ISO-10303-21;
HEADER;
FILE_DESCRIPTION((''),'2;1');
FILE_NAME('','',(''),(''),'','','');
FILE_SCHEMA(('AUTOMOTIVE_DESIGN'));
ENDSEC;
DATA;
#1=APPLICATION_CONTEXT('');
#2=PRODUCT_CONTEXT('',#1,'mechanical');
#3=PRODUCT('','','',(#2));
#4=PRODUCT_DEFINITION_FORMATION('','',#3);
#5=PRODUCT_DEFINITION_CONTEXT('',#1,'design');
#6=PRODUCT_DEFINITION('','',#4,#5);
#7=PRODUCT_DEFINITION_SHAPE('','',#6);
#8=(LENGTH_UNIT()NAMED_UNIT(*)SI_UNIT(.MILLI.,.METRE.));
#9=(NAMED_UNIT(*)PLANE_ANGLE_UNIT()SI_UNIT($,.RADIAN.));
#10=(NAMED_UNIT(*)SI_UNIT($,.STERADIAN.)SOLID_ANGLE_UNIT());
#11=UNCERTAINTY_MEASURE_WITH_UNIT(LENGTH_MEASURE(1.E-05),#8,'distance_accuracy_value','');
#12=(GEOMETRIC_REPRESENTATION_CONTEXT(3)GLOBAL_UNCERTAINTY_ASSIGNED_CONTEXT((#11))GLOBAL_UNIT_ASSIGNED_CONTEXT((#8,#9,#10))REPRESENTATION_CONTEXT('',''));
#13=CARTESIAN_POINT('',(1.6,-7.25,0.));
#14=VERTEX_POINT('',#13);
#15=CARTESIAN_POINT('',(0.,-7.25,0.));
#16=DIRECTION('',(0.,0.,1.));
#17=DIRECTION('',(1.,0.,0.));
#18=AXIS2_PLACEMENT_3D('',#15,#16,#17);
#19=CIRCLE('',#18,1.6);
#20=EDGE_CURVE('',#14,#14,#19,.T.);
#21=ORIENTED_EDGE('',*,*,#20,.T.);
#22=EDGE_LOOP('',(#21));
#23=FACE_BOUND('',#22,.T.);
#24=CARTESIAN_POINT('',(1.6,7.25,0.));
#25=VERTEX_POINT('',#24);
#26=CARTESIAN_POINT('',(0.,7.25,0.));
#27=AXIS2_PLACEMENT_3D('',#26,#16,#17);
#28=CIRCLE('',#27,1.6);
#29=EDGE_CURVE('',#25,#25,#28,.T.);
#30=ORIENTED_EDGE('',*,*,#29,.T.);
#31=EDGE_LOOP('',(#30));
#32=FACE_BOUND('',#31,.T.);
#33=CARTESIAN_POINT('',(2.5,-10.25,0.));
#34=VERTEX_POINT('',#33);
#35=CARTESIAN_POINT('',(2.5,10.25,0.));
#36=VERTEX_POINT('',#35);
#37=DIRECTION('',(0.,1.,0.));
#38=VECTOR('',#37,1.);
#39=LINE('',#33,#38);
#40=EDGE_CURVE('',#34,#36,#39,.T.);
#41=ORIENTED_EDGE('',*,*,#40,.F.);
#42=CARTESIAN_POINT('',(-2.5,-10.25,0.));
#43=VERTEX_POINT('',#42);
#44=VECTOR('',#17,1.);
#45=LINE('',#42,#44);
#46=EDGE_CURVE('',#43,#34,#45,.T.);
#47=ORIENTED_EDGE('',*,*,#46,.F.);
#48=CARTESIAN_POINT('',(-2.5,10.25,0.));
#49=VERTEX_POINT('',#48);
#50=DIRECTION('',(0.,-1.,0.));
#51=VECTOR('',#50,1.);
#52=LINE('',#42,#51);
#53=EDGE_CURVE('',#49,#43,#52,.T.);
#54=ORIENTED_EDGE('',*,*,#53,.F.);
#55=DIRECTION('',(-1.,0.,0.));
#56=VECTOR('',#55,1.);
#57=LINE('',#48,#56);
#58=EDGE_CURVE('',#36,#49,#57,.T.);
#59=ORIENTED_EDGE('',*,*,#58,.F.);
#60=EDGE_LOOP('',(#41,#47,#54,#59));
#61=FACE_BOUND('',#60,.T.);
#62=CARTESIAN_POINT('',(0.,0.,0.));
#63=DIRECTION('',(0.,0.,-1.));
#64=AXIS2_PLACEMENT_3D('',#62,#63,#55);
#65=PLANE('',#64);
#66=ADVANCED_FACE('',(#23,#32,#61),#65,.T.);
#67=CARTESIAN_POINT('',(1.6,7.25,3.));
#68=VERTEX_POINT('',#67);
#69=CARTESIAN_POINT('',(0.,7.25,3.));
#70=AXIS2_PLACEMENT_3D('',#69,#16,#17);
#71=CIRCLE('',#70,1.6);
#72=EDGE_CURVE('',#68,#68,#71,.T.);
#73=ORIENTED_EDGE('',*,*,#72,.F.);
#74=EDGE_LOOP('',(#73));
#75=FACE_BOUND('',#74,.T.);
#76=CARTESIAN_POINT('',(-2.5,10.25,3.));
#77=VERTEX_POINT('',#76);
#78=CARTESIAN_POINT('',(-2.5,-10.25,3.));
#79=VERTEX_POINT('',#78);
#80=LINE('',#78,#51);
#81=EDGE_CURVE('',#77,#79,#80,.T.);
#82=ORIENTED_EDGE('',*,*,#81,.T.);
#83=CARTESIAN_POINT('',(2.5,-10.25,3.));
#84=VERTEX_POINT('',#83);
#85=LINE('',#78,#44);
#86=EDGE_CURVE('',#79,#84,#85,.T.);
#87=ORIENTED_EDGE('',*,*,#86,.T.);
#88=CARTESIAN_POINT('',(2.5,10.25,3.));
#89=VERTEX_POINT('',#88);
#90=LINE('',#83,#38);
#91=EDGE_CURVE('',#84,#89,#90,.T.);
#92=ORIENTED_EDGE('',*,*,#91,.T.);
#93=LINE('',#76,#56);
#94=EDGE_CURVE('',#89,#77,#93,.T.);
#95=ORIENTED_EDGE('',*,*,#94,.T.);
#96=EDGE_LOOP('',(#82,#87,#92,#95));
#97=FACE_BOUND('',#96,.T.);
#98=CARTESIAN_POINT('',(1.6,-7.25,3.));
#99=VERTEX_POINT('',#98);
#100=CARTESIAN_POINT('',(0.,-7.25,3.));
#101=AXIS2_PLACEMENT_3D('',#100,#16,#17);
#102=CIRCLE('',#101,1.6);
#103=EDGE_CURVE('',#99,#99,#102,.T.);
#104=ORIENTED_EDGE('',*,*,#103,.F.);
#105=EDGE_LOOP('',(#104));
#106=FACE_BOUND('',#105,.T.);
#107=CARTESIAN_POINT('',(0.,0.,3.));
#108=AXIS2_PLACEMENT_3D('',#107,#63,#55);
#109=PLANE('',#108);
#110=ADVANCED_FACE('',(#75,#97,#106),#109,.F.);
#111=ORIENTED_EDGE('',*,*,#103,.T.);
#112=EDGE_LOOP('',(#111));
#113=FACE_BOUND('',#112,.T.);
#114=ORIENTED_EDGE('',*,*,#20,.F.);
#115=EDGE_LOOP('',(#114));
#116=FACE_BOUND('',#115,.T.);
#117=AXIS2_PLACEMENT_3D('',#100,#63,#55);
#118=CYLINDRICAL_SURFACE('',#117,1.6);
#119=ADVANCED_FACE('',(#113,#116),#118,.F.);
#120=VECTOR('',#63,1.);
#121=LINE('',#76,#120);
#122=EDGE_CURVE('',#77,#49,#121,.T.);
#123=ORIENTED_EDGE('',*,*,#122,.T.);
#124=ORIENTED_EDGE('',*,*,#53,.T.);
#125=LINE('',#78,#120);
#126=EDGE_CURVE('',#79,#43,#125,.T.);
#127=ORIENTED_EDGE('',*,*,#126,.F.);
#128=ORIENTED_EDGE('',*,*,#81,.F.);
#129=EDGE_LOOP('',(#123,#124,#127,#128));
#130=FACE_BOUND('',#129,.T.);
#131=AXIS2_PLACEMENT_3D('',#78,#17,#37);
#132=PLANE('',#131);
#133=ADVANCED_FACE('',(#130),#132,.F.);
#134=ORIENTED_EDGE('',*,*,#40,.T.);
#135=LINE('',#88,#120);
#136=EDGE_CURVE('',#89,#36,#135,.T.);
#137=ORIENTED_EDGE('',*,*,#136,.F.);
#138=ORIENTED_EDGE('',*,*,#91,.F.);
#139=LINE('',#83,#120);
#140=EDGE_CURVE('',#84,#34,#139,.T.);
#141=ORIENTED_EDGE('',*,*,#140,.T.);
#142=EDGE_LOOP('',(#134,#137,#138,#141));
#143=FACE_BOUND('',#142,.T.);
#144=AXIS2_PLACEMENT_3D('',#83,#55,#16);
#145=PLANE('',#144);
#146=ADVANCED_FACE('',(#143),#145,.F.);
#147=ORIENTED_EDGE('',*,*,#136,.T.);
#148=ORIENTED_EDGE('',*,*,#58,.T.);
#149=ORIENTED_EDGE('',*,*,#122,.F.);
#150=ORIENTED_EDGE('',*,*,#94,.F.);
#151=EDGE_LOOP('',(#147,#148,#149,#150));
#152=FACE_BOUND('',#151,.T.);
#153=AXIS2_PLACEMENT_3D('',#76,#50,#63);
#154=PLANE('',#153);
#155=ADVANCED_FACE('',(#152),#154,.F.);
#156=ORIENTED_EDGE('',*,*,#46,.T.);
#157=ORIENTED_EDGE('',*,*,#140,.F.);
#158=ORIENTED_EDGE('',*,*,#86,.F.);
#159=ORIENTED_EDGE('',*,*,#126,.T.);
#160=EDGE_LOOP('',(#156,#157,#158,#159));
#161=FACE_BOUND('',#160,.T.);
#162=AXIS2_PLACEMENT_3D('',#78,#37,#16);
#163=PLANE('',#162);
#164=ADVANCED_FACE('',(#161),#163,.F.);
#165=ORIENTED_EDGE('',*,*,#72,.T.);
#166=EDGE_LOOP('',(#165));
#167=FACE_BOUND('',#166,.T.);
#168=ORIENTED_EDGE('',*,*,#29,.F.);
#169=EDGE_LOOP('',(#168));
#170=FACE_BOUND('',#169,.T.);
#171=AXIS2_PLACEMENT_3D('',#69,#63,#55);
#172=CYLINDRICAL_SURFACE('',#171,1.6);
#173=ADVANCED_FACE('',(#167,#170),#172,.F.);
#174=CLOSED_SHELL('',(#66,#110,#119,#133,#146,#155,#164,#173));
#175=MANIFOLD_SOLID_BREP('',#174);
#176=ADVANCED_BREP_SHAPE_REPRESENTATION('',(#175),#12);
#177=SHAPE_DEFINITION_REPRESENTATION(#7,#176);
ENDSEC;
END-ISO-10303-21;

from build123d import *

# Parameters (mm, degrees)
SKETCH1_W           = 5
SKETCH1_H           = 20.5
SKETCH1_R           = 1.6
BOSS_EXTRUDE1_DEPTH = 3


with BuildPart() as part:
    # Sketch1 → Boss-Extrude1 (new body)
    with BuildSketch(Plane.XY):
        Rectangle(SKETCH1_W, SKETCH1_H)
        with Locations((0, -7.25)):
            Circle(SKETCH1_R, mode=Mode.SUBTRACT)
        with Locations((0, 7.25)):
            Circle(SKETCH1_R, mode=Mode.SUBTRACT)
    extrude(amount=BOSS_EXTRUDE1_DEPTH)


solid = part.part
